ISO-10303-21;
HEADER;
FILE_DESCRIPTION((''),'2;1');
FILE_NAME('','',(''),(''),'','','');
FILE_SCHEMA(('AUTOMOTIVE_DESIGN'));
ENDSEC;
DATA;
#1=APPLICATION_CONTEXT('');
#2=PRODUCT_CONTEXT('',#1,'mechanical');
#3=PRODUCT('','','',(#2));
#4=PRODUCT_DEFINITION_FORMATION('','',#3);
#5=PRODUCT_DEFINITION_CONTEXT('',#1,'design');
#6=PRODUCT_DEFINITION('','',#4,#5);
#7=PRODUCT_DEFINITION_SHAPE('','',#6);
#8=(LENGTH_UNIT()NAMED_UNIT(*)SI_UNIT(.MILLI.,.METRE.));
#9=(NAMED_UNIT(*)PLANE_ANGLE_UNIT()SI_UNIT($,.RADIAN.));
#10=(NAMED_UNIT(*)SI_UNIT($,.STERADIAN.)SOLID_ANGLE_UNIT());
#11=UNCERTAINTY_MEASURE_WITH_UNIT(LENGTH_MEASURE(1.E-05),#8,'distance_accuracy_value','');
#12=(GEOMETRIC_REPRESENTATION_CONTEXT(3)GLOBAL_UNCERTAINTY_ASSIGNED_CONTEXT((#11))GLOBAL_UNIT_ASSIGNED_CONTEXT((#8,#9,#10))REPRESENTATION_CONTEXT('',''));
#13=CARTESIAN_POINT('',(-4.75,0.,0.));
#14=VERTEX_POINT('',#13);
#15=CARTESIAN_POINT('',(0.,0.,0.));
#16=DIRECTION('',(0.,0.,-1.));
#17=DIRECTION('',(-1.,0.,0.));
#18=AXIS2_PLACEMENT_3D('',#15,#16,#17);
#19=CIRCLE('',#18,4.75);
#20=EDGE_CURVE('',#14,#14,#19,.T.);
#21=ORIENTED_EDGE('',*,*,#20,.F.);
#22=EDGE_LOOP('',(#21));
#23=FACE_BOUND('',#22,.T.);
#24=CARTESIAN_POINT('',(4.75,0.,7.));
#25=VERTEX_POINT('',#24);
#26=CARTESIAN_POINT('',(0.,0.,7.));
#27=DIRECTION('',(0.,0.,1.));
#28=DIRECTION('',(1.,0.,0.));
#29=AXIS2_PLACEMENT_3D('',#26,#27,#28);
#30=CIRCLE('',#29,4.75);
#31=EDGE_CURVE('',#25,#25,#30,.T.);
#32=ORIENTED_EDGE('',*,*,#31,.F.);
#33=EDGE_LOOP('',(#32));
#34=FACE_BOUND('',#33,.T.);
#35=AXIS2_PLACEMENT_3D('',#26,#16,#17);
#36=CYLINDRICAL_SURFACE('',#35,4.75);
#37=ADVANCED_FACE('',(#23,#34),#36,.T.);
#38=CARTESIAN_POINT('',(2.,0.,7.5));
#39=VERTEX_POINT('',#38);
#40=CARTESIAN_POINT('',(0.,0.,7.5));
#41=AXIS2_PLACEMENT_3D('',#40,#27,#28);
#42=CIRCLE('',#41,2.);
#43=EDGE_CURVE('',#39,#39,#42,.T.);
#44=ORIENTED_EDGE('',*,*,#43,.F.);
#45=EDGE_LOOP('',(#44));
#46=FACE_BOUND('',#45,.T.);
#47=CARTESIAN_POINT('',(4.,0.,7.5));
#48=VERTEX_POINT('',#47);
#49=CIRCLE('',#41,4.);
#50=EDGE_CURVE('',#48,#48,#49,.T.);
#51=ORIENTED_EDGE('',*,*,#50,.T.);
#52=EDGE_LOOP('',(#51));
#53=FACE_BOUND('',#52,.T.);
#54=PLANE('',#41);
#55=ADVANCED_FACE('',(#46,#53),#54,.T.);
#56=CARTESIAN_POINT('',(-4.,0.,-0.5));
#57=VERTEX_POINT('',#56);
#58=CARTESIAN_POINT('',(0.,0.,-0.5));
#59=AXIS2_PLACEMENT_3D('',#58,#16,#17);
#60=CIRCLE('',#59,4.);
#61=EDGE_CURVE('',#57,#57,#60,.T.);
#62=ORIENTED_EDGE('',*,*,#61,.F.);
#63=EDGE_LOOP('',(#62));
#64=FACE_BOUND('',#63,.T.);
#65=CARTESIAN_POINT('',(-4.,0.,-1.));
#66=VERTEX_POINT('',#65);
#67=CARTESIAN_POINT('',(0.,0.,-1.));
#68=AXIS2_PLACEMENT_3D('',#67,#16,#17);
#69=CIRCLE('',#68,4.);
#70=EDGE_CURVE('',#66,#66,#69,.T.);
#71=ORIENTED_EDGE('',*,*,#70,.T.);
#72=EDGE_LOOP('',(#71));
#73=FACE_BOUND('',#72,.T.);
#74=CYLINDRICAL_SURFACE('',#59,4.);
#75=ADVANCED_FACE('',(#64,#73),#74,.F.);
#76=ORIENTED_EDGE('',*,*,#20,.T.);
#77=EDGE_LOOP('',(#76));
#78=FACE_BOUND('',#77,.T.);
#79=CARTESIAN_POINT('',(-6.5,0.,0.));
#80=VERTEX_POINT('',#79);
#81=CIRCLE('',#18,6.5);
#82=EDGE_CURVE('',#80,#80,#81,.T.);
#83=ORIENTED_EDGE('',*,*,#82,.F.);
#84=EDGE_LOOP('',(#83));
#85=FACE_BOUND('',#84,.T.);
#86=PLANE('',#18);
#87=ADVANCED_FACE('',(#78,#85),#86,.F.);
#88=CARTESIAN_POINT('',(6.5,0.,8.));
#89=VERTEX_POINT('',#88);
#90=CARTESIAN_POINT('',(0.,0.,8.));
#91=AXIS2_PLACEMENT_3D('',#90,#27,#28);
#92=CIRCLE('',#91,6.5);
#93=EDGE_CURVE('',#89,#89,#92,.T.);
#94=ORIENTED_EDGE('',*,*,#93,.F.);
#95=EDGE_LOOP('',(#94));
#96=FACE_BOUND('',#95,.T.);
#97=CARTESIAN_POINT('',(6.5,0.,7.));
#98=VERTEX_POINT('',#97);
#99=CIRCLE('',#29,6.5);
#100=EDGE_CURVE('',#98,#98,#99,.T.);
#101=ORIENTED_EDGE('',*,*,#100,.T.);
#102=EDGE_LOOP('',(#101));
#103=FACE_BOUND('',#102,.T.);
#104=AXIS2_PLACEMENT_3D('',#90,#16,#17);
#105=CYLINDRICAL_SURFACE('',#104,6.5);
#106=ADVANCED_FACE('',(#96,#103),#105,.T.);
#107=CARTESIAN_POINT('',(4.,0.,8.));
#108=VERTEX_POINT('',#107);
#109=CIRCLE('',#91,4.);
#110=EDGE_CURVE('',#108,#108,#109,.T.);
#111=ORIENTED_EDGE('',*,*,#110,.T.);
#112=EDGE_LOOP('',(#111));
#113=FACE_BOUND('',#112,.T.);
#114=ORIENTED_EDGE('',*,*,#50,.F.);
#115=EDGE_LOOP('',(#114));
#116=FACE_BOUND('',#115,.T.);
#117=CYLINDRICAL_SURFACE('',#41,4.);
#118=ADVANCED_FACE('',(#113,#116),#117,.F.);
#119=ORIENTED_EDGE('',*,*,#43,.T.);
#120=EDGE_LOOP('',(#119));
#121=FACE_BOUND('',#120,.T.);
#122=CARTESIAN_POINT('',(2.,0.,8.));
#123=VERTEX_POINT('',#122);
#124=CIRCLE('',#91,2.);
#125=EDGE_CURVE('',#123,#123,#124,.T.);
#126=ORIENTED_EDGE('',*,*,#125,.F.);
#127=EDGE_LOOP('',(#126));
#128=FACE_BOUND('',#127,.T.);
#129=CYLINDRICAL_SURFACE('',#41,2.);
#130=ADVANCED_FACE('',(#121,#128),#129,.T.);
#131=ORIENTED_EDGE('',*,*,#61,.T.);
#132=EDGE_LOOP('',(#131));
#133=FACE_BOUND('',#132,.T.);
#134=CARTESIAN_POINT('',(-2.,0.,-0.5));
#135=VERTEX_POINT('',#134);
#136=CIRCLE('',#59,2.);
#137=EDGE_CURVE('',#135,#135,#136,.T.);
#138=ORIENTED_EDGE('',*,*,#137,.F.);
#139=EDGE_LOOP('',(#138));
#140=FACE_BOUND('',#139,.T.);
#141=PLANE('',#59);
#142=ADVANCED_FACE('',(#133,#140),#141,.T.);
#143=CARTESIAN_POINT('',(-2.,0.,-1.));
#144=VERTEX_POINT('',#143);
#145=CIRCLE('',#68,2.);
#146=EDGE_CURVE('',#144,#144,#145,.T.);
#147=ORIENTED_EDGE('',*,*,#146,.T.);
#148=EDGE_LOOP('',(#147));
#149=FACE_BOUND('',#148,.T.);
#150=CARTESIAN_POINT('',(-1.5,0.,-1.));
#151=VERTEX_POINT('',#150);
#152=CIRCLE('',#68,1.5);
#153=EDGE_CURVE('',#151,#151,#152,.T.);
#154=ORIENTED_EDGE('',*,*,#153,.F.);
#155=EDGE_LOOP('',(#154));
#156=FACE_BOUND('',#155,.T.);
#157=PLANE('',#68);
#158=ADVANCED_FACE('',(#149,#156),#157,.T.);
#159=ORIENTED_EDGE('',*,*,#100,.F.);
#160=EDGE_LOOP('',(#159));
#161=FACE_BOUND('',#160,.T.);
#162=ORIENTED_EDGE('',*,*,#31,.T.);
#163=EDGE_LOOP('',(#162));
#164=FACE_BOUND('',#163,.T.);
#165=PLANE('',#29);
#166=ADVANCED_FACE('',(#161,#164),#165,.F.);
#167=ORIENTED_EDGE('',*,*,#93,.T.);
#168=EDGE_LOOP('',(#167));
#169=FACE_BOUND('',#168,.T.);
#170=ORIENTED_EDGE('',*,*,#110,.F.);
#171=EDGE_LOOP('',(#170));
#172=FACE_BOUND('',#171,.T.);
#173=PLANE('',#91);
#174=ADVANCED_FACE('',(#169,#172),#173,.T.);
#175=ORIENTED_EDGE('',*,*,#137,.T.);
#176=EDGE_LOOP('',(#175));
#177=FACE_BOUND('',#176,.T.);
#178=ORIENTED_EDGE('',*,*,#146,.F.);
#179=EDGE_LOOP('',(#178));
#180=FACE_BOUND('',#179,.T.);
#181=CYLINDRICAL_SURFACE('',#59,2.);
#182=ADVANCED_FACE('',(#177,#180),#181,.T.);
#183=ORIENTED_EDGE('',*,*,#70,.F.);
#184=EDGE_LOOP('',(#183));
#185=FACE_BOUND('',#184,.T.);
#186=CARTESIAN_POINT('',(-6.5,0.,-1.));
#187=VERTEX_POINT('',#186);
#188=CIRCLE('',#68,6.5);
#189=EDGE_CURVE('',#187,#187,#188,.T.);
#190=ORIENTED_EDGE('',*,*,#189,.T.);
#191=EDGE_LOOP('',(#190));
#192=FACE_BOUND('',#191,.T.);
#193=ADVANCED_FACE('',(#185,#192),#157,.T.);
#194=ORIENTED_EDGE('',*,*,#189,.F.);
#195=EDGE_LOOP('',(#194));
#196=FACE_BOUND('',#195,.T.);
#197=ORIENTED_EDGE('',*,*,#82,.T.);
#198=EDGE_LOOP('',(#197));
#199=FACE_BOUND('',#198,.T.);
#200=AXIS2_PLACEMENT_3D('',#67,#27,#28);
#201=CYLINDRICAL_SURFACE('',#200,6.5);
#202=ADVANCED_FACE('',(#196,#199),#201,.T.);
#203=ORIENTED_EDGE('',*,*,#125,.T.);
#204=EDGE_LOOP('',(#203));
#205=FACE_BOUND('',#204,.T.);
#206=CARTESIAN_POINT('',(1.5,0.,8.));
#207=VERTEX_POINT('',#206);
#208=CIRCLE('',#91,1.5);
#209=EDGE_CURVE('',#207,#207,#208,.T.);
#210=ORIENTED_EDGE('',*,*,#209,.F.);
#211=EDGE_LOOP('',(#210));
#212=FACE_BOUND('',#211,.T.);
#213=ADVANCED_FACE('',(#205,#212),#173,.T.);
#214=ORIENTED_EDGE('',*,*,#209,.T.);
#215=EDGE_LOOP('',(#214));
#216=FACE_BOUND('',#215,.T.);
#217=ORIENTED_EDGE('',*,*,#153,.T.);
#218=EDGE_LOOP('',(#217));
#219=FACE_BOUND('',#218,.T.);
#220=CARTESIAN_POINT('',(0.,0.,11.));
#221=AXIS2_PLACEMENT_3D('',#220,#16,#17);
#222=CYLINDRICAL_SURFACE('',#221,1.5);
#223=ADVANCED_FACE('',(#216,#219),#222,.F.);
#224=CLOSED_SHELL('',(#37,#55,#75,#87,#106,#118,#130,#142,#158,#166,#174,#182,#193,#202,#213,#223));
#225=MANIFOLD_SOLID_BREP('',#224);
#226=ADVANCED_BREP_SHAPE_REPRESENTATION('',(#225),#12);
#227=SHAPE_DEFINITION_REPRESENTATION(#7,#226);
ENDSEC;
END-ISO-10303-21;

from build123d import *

# Parameters (mm, degrees)
SKETCH_1_R          = 4.75
EXTRUDE_1_DEPTH     = 7
SKETCH_2_R          = 6.5
EXTRUDE_2_DEPTH     = 1
SKETCH_3_R          = 6.5
EXTRUDE_3_DEPTH     = 1
SKETCH_4_R          = 1.5
CUT_EXTRUDE_1_DEPTH = 12
SKETCH_5_R          = 4
SKETCH_5_R_2        = 2
CUT_EXTRUDE_2_DEPTH = 0.5
SKETCH_6_R          = 4
SKETCH_6_R_2        = 2
CUT_EXTRUDE_3_DEPTH = 0.5


with BuildPart() as part:
    # 草图1 → 凸台-拉伸1 (new body)
    with BuildSketch(Plane.XY):
        Circle(SKETCH_1_R)
    extrude(amount=EXTRUDE_1_DEPTH)

    # 草图2 → 凸台-拉伸2 (add)
    with BuildSketch(Plane.XY.offset(7)):
        Circle(SKETCH_2_R)
    extrude(amount=EXTRUDE_2_DEPTH)

    # 草图3 → 凸台-拉伸3 (add)
    with BuildSketch(Plane(origin=(0, 0, 0), x_dir=(-1, 0, 0), z_dir=(0, 0, -1))):
        Circle(SKETCH_3_R)
    extrude(amount=EXTRUDE_3_DEPTH)

    # 草图4 → 切除-拉伸1 (cut)
    with BuildSketch(Plane(origin=(0, 0, -1), x_dir=(-1, 0, 0), z_dir=(0, 0, -1))):
        Circle(SKETCH_4_R)
    extrude(amount=-CUT_EXTRUDE_1_DEPTH, mode=Mode.SUBTRACT)

    # 草图5 → 切除-拉伸2 (cut)
    with BuildSketch(Plane(origin=(0, 0, -1), x_dir=(-1, 0, 0), z_dir=(0, 0, -1))):
        Circle(SKETCH_5_R)
        Circle(SKETCH_5_R_2, mode=Mode.SUBTRACT)
    extrude(amount=-CUT_EXTRUDE_2_DEPTH, mode=Mode.SUBTRACT)

    # 草图6 → 切除-拉伸3 (cut)
    with BuildSketch(Plane.XY.offset(8)):
        Circle(SKETCH_6_R)
        Circle(SKETCH_6_R_2, mode=Mode.SUBTRACT)
    extrude(amount=-CUT_EXTRUDE_3_DEPTH, mode=Mode.SUBTRACT)


solid = part.part
